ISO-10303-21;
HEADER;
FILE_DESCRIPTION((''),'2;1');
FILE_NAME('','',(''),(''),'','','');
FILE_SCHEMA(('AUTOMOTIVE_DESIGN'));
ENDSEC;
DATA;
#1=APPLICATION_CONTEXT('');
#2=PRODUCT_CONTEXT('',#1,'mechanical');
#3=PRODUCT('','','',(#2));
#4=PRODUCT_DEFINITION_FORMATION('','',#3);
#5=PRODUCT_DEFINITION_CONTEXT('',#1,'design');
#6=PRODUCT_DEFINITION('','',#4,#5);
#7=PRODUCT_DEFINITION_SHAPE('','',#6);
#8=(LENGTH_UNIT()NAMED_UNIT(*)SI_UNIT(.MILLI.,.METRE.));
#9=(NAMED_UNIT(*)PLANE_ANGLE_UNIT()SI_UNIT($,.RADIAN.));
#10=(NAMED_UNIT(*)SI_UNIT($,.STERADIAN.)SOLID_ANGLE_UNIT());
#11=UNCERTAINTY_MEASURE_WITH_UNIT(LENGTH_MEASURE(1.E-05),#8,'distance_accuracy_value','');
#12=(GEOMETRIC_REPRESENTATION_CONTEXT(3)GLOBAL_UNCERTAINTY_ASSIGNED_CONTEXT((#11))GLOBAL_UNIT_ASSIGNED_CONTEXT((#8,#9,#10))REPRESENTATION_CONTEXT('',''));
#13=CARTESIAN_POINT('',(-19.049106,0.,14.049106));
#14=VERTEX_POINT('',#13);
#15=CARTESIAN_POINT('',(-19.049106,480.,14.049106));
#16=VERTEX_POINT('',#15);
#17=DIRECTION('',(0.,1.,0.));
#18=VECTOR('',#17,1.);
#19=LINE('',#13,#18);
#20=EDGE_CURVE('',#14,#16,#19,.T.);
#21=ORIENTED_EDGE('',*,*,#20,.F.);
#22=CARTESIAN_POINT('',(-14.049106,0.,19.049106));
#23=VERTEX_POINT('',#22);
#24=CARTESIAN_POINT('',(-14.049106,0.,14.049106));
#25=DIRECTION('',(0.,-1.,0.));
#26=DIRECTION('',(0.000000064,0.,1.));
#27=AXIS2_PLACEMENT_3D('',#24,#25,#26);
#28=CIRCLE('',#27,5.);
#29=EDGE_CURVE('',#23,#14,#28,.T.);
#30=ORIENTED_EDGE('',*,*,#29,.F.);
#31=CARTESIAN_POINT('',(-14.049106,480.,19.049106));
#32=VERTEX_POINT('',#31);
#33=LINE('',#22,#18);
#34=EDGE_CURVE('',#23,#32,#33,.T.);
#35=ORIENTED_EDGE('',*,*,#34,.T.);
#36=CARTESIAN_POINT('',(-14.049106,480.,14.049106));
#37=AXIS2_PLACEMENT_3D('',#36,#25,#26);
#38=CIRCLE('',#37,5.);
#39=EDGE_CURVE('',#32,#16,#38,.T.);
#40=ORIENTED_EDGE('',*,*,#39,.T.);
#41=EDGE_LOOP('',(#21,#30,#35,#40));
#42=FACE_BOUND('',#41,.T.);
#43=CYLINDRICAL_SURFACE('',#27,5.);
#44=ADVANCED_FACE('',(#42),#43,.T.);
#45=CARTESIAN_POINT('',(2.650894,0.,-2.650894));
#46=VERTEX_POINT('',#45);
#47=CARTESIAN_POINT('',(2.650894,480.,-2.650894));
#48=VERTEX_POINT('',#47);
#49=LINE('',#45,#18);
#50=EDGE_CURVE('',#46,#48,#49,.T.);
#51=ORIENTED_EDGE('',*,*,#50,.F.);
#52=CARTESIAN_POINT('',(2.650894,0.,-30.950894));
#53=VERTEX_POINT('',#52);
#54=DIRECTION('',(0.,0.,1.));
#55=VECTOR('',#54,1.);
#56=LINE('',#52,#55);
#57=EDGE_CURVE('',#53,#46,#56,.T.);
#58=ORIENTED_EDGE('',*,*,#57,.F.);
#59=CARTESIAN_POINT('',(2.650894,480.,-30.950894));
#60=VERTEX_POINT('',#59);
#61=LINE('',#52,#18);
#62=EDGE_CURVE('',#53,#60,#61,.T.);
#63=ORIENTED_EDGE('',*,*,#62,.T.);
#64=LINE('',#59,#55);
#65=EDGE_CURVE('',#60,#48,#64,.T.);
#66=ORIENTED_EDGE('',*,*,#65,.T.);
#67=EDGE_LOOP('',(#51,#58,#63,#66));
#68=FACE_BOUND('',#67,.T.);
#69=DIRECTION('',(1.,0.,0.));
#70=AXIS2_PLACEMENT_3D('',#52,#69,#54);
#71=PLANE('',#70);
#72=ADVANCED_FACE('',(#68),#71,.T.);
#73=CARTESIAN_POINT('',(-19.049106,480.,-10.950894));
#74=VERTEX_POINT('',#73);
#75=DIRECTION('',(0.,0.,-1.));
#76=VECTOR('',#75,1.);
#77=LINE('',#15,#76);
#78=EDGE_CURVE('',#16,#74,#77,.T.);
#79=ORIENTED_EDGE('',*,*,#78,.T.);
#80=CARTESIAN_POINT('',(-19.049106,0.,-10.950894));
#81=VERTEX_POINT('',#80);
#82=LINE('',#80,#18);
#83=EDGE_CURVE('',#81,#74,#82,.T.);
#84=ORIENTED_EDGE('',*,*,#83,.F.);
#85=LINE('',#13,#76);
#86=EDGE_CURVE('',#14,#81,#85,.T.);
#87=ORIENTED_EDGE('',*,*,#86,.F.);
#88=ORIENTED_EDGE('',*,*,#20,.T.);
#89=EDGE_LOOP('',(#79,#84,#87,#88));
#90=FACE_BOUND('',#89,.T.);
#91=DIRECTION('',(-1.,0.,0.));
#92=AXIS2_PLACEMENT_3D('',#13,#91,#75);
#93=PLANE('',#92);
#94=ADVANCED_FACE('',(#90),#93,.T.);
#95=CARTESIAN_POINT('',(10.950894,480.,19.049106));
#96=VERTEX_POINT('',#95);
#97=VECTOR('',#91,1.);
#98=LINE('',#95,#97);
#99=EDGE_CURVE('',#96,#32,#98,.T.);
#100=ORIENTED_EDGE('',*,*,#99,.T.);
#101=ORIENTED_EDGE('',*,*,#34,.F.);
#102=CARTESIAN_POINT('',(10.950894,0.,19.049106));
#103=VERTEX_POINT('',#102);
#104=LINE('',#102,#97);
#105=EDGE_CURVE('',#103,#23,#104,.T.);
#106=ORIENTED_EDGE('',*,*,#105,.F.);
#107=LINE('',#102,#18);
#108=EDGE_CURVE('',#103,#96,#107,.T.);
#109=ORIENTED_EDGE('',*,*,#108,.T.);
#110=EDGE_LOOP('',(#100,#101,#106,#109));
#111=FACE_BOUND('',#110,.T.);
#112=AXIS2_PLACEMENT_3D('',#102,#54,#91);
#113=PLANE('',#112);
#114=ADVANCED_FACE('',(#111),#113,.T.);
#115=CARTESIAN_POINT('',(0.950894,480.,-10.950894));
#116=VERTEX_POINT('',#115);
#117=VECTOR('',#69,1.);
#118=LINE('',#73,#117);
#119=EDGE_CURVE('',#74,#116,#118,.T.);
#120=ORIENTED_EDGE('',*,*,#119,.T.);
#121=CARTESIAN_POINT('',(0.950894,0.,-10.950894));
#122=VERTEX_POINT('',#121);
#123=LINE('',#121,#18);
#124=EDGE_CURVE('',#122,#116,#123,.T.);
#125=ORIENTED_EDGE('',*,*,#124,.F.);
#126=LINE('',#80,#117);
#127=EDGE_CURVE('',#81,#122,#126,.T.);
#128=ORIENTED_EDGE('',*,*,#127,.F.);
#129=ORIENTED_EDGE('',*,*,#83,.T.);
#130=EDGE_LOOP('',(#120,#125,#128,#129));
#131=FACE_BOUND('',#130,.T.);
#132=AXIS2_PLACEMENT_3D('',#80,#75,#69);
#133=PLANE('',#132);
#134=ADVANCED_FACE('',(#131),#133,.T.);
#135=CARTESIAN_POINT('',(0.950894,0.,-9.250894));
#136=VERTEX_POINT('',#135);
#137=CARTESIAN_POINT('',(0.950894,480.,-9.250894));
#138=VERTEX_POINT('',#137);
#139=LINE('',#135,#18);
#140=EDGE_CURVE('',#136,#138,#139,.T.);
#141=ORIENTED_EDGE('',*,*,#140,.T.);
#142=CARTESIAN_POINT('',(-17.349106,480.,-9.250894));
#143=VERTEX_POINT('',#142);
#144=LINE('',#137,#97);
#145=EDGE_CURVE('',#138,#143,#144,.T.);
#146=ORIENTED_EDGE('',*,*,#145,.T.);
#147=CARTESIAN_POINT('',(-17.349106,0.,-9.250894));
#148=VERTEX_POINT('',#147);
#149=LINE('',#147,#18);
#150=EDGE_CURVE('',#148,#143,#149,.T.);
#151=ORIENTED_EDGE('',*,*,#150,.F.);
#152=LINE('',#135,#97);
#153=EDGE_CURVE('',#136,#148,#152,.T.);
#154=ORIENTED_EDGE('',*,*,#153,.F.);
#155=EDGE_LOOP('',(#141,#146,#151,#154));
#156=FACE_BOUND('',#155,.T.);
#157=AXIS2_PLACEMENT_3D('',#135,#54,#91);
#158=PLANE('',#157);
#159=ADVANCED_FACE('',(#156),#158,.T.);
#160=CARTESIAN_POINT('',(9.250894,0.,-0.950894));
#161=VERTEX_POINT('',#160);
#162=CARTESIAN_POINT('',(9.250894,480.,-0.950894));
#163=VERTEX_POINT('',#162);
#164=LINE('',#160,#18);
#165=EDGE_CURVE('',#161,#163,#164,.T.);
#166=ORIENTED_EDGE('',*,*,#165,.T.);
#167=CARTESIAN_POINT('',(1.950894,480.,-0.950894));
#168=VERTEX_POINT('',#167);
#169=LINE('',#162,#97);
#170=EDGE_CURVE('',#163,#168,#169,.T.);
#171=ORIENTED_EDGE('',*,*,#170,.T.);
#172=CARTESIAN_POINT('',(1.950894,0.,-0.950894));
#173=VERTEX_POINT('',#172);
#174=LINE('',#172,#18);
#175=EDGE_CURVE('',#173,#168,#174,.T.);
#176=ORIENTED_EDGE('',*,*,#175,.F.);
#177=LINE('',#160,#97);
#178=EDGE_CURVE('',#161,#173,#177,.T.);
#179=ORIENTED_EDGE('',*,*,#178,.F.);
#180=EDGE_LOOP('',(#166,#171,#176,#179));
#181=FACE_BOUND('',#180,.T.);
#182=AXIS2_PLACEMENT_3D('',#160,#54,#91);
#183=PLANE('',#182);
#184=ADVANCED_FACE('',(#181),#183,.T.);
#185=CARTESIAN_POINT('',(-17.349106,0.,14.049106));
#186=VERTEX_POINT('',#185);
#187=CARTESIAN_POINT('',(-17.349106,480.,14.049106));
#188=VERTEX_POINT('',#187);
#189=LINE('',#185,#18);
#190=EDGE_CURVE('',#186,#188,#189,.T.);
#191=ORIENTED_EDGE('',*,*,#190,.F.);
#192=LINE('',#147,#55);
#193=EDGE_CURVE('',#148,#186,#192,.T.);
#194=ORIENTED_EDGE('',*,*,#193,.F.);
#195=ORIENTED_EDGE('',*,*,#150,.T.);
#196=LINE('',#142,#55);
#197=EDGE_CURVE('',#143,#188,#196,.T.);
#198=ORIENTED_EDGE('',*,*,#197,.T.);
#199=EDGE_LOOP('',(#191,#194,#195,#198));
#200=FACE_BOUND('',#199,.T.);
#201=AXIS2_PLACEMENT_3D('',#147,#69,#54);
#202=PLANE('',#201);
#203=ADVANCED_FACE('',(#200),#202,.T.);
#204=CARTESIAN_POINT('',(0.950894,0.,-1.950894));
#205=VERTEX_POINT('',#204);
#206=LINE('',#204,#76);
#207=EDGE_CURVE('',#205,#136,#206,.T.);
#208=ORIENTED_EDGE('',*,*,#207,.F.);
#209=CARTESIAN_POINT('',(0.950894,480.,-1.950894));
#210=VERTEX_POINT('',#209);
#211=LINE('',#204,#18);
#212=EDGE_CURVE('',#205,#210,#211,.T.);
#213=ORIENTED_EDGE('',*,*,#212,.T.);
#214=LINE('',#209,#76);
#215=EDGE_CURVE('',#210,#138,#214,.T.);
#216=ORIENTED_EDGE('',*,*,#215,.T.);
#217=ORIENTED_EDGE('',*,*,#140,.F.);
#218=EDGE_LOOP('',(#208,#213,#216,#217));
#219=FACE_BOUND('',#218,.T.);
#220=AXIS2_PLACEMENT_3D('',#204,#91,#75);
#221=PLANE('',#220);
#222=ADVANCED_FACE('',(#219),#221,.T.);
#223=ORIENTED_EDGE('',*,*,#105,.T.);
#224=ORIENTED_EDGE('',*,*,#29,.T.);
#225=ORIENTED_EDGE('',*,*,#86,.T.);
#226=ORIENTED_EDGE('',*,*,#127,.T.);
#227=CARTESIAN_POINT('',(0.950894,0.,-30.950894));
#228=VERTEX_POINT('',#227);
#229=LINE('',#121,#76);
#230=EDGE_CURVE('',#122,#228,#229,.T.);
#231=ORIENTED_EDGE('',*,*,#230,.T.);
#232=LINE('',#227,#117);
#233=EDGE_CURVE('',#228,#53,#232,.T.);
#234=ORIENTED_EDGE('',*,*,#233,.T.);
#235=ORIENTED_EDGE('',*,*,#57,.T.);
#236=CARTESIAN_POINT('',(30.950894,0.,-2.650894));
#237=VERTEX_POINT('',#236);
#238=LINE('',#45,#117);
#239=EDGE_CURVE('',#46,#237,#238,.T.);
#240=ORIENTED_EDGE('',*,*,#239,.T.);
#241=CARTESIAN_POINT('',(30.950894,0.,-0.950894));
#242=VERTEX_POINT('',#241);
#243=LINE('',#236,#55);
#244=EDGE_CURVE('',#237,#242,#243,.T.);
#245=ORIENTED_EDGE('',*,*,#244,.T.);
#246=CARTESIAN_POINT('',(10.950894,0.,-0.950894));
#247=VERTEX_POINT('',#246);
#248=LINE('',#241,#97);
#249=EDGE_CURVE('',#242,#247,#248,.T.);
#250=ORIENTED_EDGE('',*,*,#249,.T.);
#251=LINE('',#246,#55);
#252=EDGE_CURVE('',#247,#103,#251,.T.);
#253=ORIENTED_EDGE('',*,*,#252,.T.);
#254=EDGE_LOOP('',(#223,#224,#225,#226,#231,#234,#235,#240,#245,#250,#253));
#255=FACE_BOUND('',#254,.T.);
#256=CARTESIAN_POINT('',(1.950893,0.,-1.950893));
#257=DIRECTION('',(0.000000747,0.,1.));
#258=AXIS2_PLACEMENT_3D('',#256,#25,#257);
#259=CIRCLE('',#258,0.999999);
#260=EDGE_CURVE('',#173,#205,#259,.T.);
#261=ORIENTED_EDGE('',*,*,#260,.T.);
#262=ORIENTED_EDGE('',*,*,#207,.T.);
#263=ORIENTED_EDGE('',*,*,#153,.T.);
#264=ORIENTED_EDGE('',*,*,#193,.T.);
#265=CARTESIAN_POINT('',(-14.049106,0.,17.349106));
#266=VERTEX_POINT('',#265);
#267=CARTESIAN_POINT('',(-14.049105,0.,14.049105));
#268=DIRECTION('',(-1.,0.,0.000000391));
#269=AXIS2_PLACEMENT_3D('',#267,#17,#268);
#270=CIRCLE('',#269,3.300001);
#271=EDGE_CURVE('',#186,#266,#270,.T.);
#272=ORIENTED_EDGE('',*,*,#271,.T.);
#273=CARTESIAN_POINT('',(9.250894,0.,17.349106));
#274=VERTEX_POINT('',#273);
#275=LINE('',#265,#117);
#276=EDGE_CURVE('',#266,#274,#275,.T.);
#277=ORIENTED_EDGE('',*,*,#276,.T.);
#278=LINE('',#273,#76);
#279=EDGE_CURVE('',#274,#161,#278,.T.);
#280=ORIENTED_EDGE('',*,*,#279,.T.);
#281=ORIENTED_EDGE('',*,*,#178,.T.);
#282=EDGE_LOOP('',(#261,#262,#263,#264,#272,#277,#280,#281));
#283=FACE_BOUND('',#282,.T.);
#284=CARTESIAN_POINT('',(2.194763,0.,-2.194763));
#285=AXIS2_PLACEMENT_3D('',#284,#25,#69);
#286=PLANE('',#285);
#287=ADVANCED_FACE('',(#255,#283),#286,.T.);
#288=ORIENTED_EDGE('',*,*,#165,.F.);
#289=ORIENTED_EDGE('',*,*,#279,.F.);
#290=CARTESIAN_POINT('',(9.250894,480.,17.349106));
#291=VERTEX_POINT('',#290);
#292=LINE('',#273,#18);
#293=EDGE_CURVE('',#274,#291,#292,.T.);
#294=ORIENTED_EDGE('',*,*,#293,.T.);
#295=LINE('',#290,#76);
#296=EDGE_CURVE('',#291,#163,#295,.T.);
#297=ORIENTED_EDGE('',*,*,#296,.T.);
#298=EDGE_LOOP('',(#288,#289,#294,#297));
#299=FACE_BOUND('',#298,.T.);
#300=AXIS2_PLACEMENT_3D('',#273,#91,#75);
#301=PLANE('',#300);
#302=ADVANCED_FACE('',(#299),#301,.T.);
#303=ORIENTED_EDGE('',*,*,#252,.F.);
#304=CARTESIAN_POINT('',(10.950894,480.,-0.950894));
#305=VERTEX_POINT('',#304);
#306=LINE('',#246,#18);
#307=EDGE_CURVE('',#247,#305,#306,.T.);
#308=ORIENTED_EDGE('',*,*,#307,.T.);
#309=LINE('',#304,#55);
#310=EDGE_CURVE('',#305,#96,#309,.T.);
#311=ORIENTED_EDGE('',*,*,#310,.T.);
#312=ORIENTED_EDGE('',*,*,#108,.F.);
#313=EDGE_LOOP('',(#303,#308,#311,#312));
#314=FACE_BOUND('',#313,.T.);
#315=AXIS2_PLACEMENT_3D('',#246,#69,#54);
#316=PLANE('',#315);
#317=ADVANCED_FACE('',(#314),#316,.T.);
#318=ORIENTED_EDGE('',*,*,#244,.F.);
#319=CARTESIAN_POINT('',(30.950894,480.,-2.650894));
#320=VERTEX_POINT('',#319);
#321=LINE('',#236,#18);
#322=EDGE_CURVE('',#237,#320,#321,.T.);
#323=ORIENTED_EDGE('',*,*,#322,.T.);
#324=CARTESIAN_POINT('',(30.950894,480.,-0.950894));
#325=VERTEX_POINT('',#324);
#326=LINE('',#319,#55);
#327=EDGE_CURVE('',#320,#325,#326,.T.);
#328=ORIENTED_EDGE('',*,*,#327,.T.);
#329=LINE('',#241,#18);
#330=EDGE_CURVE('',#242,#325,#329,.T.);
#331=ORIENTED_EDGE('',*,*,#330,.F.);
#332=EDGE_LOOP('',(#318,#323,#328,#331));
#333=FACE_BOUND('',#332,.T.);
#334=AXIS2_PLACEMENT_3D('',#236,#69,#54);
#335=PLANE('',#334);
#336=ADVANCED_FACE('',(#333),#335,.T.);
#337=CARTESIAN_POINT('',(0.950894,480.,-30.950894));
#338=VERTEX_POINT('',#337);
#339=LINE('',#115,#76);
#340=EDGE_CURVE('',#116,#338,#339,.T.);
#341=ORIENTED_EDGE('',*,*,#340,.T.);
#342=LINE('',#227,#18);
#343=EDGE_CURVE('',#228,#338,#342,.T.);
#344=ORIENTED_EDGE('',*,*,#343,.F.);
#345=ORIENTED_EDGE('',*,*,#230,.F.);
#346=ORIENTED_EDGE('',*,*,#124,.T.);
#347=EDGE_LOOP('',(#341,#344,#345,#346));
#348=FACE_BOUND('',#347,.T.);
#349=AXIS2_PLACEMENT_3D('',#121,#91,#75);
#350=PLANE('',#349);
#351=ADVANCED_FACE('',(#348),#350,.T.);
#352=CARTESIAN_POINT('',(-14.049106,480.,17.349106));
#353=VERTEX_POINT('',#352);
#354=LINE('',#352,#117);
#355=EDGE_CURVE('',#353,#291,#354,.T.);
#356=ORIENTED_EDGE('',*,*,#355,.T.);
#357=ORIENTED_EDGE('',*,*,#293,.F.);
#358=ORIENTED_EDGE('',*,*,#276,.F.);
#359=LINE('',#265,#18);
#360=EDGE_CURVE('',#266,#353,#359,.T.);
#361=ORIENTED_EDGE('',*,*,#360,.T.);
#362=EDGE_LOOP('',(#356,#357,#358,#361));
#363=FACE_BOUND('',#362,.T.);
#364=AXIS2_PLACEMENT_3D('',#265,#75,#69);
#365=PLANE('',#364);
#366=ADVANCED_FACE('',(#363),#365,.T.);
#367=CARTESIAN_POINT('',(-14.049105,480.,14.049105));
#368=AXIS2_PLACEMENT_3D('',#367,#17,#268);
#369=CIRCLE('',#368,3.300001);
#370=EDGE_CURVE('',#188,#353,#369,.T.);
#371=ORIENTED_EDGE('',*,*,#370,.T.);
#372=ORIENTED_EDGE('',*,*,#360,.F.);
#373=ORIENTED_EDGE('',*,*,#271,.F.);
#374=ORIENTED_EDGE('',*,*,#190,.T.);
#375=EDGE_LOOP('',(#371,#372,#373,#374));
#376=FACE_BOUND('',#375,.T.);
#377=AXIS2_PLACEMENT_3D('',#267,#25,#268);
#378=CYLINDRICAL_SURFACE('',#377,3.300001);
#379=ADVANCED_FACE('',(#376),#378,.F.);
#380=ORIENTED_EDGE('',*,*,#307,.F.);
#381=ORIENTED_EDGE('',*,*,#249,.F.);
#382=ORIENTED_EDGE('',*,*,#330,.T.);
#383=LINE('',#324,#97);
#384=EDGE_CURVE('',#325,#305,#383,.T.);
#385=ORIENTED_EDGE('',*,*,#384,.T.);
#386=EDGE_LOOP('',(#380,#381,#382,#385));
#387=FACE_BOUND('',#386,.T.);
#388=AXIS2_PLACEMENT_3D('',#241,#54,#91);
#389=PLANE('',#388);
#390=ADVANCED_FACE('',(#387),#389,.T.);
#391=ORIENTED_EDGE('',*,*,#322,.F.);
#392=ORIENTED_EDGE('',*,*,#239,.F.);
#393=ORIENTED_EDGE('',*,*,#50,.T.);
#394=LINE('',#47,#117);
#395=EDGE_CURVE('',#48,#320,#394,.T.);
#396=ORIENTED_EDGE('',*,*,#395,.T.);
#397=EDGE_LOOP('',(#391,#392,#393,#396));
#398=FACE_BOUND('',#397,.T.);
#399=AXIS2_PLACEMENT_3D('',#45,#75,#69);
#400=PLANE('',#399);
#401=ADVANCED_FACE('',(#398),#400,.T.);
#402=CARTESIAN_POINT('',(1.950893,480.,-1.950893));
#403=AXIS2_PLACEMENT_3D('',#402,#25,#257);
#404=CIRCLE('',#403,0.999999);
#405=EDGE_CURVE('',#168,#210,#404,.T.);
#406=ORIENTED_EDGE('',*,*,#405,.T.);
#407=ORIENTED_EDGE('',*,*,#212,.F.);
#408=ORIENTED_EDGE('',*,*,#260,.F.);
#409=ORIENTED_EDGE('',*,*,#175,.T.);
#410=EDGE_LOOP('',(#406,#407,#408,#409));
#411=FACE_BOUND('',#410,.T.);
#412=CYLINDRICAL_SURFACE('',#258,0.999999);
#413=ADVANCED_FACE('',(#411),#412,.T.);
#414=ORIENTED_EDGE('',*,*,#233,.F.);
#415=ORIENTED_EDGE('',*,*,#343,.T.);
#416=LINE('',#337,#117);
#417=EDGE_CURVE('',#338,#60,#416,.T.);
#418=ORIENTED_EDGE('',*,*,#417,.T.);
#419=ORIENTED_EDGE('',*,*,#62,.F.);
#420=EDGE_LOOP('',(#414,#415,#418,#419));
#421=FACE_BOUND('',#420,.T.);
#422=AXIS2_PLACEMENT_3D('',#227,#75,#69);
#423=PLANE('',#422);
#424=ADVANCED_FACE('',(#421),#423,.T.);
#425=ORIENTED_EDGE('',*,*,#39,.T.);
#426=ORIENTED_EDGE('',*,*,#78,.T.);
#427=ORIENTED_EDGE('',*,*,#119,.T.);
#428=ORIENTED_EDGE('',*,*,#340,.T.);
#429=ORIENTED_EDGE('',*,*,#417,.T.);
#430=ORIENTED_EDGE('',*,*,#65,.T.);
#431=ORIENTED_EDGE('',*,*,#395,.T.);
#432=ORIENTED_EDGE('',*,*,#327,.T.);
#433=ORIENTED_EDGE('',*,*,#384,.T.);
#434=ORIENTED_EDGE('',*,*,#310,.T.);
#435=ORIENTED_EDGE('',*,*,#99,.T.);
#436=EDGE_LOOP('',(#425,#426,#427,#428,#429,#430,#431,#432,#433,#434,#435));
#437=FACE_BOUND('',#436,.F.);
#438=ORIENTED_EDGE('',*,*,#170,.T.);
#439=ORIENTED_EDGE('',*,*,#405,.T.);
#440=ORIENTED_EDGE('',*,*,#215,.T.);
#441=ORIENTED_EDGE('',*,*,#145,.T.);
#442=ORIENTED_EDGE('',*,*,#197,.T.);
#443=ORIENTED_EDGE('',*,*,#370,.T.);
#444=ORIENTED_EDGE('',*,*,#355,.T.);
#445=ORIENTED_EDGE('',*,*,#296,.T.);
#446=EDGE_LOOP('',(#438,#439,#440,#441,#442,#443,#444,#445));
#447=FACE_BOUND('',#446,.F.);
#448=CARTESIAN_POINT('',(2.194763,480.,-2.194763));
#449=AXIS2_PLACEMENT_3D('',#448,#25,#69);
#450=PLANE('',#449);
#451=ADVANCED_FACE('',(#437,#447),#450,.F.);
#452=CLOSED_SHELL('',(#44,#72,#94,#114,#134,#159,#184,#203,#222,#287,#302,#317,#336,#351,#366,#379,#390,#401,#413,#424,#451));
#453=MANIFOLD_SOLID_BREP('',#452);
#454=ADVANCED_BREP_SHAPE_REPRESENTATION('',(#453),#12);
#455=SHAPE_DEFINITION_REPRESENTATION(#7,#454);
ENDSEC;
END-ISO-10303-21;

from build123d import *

# Parameters (mm, degrees)
F1_DEPTH = 480


with BuildPart() as f1:
    # F0 (on Front) → F1 (new body)
    with BuildSketch(Plane.XZ):
        with BuildLine():
            Line((10.950894, 19.049106), (-14.049106, 19.049106))
            ThreePointArc((-14.049106, 19.049106), (-17.58464, 17.58464), (-19.049106, 14.049106))
            Line((-19.049106, 14.049106), (-19.049106, -10.950894))
            Line((-19.049106, -10.950894), (0.950894, -10.950894))
            Line((0.950894, -10.950894), (0.950894, -30.950894))
            Line((0.950894, -30.950894), (2.650894, -30.950894))
            Line((2.650894, -30.950894), (2.650894, -2.650894))
            Line((2.650894, -2.650894), (30.950894, -2.650894))
            Line((30.950894, -2.650894), (30.950894, -0.950894))
            Line((30.950894, -0.950894), (10.950894, -0.950894))
            Line((10.950894, -0.950894), (10.950894, 19.049106))
        make_face()
        with BuildLine():
            ThreePointArc((1.950894, -0.950894), (1.243787, -1.243787), (0.950894, -1.950894))
            Line((0.950894, -1.950894), (0.950894, -9.250894))
            Line((0.950894, -9.250894), (-17.349106, -9.250894))
            Line((-17.349106, -9.250894), (-17.349106, 14.049106))
            ThreePointArc((-17.349106, 14.049106), (-16.382558, 16.382558), (-14.049106, 17.349106))
            Line((-14.049106, 17.349106), (9.250894, 17.349106))
            Line((9.250894, 17.349106), (9.250894, -0.950894))
            Line((9.250894, -0.950894), (1.950894, -0.950894))
        make_face(mode=Mode.SUBTRACT)
    extrude(amount=-F1_DEPTH)


solid = f1.part
